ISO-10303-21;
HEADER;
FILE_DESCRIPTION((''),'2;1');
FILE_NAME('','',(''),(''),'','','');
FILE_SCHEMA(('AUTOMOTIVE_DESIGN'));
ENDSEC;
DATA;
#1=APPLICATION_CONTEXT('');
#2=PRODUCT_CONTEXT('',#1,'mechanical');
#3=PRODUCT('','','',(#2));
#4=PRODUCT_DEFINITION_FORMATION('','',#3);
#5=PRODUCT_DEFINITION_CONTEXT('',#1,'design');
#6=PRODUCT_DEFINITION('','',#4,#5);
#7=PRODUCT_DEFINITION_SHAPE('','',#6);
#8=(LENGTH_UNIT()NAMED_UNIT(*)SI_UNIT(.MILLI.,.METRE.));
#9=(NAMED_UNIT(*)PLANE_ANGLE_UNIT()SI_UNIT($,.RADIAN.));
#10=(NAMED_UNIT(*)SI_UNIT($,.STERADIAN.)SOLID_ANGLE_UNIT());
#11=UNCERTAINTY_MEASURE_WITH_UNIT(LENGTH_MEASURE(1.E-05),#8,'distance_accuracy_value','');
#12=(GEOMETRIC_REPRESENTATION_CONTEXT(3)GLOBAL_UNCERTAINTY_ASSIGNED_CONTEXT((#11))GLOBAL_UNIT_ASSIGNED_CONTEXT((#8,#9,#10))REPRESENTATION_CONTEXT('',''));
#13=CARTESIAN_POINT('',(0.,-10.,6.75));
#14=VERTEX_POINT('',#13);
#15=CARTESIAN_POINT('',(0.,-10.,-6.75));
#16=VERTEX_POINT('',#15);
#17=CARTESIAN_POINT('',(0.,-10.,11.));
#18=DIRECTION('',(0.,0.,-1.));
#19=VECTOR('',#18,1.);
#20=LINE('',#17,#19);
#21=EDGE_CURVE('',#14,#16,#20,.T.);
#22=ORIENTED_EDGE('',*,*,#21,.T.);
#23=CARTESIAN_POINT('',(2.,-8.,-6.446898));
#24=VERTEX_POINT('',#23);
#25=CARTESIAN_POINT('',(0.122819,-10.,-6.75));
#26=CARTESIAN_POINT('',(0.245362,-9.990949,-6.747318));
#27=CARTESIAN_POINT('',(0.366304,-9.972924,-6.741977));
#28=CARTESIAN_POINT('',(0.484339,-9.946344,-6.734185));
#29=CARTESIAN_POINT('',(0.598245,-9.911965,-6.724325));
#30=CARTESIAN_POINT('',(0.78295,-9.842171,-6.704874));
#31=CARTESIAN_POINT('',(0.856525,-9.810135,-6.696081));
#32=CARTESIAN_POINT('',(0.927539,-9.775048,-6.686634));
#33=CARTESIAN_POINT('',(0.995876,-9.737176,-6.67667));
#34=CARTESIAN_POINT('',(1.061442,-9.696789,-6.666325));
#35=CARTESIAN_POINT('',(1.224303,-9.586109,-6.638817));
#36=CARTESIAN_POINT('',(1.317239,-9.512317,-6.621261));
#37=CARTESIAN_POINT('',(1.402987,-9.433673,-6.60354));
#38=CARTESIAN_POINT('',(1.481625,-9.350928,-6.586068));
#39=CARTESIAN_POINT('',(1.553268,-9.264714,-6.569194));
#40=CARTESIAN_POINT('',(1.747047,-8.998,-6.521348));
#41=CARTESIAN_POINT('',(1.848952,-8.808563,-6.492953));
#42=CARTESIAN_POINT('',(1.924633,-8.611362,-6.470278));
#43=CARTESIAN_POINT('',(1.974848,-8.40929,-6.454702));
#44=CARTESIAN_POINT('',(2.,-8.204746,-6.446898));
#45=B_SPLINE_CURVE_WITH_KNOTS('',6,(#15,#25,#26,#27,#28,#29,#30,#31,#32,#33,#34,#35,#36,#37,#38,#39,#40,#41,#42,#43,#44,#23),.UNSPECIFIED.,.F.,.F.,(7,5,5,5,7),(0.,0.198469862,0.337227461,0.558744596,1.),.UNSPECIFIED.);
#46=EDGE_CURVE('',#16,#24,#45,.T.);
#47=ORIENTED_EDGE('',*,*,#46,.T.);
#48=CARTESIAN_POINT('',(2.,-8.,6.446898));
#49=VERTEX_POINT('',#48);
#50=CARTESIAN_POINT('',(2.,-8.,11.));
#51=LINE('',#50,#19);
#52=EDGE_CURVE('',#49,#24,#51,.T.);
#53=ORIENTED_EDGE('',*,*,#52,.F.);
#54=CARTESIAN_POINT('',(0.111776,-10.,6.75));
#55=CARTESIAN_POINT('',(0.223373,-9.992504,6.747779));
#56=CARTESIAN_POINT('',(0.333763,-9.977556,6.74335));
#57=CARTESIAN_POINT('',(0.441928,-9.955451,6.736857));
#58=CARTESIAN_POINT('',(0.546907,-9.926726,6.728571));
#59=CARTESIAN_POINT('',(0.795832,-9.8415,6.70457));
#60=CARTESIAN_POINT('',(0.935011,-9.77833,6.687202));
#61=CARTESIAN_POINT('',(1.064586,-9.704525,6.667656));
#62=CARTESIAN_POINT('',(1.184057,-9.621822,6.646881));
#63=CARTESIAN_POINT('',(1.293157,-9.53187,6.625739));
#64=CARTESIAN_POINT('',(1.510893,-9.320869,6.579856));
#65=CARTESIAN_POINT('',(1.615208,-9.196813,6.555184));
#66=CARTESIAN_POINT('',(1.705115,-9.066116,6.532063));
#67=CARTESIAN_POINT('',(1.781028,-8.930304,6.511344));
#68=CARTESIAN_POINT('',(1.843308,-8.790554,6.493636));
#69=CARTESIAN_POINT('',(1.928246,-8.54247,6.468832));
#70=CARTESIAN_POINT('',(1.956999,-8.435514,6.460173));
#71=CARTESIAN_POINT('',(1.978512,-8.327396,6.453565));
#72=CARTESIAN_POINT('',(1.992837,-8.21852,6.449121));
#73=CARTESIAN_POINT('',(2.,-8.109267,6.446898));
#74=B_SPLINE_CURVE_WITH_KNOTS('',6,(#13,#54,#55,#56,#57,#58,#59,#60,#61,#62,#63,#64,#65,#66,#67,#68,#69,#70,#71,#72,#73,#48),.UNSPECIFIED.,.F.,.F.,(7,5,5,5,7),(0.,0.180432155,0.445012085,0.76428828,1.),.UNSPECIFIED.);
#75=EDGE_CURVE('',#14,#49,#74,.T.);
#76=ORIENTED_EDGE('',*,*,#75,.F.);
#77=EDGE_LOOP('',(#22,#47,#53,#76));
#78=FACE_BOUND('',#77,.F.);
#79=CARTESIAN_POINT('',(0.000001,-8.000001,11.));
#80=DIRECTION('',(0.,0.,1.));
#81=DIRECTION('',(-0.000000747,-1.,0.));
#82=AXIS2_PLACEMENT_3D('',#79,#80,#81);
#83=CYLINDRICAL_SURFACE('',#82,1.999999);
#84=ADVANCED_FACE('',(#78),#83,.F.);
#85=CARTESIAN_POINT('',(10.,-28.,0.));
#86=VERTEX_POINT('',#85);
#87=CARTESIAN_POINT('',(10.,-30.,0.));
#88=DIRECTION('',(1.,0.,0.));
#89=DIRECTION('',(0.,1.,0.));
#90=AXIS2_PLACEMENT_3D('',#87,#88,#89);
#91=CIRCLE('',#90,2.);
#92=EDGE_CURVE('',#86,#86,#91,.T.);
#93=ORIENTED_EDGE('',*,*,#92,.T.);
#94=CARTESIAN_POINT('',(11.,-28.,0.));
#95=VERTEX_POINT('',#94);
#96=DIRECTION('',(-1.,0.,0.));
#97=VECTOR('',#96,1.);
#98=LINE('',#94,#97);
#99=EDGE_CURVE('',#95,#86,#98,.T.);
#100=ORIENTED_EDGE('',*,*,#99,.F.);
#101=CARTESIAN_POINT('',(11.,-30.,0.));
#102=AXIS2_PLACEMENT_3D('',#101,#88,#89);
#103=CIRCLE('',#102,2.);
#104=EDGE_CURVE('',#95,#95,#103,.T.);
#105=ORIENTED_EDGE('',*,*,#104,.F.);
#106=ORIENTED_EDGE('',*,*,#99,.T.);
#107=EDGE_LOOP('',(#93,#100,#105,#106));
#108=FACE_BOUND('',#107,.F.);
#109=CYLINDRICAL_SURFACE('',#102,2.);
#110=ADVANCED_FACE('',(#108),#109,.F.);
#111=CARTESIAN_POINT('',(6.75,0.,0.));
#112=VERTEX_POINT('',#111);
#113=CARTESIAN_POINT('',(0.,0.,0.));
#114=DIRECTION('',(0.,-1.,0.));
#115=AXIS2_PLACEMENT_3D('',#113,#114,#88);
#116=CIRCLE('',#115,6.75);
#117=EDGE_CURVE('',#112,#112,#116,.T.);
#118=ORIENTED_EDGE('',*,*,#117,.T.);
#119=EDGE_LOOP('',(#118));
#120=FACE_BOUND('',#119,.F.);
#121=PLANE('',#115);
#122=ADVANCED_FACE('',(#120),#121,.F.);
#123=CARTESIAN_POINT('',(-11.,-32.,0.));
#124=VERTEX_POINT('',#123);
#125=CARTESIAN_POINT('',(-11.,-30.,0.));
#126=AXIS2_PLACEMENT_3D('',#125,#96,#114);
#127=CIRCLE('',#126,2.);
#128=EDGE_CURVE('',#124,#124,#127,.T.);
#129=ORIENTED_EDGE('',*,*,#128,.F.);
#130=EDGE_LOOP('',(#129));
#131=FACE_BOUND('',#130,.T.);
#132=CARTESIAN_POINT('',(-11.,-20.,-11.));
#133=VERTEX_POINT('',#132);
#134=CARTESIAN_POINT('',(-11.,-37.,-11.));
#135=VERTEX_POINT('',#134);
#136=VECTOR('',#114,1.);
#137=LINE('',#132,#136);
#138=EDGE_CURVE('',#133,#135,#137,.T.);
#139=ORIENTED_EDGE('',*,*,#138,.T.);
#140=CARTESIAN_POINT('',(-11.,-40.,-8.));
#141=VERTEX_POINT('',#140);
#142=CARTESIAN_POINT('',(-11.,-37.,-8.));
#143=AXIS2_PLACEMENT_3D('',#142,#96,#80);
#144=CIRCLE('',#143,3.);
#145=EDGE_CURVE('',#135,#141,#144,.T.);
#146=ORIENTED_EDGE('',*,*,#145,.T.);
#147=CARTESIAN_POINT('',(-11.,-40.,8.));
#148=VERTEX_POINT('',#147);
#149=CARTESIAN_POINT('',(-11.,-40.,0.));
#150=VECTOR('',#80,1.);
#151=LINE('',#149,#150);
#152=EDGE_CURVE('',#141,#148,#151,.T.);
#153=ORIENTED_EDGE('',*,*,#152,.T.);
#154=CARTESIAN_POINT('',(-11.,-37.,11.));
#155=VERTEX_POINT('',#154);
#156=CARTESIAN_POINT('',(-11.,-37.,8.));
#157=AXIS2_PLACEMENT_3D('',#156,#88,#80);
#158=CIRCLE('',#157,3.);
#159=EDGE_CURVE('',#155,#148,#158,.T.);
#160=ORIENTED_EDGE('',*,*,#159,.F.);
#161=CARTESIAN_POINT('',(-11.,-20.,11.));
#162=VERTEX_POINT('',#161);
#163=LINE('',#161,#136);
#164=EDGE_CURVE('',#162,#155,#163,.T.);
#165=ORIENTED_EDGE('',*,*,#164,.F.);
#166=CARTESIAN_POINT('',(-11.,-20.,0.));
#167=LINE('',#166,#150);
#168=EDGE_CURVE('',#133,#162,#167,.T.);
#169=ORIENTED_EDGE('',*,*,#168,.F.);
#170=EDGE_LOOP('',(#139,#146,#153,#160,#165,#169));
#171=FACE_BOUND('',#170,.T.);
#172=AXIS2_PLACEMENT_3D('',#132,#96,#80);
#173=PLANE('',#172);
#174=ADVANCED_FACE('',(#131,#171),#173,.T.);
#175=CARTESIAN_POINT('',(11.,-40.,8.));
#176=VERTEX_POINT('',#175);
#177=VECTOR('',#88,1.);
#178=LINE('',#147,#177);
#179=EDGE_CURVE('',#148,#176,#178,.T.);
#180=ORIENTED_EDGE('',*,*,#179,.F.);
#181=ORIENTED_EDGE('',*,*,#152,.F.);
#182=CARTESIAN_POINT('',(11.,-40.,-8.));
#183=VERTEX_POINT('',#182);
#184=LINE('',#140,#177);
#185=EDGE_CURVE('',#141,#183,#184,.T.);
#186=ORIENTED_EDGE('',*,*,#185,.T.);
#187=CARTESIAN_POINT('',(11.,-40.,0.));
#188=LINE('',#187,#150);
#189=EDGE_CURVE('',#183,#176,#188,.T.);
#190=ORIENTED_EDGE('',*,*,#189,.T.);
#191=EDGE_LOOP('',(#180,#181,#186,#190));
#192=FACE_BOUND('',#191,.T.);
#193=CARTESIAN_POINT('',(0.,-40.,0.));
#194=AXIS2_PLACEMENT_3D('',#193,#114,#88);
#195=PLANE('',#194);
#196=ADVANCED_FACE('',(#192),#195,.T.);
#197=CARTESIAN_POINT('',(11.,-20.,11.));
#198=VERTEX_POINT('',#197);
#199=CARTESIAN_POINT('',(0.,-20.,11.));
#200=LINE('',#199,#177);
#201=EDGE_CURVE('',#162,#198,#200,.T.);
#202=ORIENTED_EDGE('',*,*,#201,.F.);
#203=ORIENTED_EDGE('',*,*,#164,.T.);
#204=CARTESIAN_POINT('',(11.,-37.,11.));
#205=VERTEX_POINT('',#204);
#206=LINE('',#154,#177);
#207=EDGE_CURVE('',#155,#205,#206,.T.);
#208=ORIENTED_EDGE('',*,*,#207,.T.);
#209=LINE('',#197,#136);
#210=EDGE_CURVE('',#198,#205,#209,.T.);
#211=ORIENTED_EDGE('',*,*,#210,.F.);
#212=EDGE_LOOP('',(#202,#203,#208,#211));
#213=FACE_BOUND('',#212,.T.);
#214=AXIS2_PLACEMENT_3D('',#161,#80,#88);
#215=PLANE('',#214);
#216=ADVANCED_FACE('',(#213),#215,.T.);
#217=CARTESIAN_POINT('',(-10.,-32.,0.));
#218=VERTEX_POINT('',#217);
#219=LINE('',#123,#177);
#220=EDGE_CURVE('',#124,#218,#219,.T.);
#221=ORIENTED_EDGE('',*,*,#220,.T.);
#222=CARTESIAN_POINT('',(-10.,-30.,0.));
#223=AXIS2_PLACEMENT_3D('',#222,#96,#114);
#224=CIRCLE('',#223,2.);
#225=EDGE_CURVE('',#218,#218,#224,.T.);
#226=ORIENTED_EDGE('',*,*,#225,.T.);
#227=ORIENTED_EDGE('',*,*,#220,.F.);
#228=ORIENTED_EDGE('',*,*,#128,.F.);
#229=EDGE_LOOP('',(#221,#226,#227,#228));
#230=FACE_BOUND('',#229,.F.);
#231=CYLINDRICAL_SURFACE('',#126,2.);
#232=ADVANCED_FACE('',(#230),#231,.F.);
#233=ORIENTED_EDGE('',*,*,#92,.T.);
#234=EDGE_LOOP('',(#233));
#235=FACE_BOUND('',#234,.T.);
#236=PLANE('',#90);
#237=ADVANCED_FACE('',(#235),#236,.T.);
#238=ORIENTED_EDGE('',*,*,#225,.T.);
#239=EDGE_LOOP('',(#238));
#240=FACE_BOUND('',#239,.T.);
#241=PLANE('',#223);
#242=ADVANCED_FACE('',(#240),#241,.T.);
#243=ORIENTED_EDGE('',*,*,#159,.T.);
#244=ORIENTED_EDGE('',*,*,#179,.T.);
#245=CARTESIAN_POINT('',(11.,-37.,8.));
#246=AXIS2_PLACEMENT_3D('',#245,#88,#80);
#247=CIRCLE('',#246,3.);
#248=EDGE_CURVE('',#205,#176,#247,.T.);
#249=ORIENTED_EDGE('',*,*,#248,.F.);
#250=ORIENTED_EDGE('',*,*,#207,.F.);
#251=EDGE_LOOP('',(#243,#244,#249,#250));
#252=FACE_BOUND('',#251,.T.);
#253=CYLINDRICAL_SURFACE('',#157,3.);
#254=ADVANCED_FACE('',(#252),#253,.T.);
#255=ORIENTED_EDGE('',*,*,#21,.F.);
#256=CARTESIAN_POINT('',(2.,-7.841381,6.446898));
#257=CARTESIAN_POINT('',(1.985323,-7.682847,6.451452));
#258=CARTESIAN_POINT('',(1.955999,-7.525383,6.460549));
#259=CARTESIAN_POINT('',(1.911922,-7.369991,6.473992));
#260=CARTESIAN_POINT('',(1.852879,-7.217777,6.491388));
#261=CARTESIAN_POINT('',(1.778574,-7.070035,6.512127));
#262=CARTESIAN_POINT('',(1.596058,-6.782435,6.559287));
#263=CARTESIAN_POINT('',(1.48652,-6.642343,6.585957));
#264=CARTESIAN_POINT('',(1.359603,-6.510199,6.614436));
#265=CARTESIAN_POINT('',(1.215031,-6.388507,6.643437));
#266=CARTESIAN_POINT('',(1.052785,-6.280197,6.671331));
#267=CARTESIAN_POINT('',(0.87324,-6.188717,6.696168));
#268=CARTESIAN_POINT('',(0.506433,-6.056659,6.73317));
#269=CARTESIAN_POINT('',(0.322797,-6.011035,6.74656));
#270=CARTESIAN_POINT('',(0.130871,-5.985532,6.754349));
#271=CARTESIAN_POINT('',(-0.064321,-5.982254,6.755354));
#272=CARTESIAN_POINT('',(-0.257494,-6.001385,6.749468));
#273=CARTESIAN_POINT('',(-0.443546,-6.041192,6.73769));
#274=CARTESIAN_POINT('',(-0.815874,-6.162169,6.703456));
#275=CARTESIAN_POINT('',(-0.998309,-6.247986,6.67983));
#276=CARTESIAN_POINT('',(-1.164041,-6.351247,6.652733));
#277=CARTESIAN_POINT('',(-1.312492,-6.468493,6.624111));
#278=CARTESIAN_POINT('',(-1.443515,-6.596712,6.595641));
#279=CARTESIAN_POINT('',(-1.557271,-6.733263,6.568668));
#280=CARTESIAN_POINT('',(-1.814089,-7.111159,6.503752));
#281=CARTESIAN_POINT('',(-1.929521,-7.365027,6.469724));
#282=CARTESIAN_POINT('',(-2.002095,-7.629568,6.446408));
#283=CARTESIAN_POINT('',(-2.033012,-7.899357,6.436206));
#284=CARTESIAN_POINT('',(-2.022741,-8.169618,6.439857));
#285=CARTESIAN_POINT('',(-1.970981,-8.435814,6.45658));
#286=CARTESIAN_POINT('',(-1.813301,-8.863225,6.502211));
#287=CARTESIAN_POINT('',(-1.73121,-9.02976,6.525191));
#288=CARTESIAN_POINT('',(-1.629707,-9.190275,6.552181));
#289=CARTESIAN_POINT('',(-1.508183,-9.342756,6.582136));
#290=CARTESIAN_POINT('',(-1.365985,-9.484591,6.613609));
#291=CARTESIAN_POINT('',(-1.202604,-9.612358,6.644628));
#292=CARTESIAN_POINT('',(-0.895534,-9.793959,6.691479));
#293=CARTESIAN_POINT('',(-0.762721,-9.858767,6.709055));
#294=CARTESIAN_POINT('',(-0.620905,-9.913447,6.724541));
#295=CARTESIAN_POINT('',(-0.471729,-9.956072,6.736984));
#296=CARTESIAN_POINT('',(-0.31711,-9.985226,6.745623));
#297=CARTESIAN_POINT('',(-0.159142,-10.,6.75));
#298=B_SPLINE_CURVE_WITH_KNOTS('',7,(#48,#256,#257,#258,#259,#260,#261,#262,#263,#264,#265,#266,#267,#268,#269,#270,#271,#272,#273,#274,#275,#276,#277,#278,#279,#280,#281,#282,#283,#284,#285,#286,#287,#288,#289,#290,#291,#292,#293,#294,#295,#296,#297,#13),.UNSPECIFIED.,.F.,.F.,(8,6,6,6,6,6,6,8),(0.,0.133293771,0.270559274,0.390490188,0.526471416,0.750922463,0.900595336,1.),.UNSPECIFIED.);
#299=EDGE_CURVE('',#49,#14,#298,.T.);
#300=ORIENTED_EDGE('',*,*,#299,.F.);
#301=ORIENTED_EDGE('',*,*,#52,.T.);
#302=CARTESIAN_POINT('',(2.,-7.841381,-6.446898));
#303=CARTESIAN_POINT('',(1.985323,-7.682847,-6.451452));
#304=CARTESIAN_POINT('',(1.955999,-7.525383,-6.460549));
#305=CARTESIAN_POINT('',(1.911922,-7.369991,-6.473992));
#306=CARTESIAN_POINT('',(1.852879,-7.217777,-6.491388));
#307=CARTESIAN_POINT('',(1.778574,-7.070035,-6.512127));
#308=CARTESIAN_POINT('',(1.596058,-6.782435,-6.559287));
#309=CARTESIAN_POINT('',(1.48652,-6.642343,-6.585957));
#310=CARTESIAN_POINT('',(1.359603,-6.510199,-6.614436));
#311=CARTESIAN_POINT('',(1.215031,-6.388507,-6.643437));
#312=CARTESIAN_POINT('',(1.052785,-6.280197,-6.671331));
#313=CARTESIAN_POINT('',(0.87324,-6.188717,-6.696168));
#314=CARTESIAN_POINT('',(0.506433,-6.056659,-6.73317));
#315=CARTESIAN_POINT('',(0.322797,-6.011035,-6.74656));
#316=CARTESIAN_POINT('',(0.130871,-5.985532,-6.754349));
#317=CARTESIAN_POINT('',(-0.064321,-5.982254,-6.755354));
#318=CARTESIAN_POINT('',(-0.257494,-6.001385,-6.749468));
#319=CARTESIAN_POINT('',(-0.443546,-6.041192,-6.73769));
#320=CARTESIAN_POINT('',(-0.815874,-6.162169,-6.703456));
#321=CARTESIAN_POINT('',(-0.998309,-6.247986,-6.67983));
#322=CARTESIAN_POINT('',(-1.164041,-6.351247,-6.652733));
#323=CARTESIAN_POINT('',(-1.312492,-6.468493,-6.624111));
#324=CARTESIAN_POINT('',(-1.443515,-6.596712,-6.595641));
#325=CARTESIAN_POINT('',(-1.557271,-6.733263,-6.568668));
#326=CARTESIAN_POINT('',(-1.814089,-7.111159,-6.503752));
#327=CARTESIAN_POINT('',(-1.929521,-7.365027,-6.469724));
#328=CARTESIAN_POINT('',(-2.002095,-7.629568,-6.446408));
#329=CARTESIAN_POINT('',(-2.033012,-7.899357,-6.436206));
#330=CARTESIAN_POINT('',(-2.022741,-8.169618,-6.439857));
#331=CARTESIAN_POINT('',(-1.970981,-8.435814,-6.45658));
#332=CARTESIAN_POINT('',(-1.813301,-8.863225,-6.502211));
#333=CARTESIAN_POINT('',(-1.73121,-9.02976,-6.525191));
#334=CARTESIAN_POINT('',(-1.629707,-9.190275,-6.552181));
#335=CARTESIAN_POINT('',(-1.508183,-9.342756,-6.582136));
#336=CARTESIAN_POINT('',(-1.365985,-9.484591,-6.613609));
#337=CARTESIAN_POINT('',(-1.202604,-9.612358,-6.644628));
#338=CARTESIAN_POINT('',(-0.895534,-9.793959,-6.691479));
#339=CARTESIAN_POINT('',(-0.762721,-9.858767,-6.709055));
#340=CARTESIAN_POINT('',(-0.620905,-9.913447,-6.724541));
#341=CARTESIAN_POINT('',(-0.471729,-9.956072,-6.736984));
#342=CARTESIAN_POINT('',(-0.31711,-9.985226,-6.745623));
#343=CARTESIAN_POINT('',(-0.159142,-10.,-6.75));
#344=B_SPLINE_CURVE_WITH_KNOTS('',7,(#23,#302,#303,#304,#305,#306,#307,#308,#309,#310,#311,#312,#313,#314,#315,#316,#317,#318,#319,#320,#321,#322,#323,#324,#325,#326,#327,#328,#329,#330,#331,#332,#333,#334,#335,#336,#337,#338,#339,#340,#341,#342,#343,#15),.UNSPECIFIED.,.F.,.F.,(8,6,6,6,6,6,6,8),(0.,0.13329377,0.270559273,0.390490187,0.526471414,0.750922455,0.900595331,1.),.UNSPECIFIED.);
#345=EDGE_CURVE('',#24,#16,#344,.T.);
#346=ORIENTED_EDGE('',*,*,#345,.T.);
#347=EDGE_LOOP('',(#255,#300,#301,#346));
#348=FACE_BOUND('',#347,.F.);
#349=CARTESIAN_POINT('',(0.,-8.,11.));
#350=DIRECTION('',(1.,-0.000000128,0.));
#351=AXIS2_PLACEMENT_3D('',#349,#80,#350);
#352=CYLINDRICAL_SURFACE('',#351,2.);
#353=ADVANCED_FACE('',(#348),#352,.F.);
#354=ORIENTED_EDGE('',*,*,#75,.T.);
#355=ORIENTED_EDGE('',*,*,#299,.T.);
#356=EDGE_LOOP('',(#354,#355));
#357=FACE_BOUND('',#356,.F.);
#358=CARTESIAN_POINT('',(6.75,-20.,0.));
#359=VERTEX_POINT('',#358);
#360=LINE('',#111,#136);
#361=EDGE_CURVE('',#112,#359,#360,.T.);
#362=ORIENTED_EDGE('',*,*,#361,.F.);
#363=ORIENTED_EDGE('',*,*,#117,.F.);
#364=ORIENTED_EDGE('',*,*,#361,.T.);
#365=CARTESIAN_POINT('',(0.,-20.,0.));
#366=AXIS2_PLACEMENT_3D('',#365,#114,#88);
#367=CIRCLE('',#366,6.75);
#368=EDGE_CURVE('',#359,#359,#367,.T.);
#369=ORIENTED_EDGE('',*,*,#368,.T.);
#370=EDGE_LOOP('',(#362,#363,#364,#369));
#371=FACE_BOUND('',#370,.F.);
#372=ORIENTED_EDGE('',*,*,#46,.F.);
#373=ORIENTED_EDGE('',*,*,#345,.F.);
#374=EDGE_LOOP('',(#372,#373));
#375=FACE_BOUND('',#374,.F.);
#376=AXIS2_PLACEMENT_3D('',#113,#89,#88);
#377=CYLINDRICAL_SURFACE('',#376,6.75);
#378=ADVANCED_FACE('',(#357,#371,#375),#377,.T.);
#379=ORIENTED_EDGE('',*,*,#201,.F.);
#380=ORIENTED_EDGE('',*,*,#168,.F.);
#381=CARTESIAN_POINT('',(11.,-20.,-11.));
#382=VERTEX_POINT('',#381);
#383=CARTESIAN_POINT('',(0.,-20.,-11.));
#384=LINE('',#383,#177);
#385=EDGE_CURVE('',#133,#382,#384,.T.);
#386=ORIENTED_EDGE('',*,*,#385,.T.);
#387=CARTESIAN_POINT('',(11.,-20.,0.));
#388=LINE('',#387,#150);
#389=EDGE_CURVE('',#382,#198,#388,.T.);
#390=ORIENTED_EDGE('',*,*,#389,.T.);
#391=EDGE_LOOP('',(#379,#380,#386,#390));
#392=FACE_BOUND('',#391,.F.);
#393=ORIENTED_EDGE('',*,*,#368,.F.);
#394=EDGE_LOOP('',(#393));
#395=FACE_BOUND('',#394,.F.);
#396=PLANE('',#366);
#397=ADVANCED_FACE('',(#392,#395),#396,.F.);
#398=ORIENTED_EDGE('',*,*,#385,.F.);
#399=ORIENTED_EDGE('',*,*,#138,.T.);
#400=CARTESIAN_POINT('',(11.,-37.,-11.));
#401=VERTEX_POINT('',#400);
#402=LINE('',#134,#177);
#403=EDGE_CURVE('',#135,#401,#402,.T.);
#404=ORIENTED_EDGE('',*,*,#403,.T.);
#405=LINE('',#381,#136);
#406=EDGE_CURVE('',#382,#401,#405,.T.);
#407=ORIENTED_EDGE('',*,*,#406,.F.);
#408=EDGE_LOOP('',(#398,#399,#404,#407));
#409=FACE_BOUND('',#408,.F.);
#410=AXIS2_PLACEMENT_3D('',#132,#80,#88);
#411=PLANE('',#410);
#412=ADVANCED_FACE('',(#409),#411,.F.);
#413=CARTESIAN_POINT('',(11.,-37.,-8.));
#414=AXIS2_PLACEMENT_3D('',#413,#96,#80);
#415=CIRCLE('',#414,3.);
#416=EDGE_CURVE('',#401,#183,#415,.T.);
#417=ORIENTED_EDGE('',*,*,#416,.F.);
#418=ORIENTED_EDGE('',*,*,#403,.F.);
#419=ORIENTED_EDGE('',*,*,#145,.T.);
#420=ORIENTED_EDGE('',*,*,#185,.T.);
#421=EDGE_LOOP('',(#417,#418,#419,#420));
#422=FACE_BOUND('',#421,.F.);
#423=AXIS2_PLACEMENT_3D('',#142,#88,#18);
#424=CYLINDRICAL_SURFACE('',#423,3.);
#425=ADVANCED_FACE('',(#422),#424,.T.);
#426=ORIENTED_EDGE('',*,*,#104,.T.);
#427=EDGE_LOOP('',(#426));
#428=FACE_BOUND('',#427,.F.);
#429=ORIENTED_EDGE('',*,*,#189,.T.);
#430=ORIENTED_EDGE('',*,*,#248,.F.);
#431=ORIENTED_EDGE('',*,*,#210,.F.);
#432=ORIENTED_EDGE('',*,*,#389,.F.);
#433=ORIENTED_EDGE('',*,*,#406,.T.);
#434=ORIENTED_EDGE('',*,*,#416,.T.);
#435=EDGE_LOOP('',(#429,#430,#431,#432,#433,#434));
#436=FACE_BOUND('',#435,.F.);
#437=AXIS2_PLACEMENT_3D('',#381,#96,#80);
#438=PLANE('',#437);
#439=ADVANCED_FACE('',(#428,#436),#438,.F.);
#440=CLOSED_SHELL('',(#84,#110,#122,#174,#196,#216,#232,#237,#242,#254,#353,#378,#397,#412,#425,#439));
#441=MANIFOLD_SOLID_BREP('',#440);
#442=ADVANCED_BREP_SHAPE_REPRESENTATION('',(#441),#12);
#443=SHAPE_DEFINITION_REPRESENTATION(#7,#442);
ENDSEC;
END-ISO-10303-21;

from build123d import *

# Parameters (mm, degrees)
F0_R      = 6.75
F1_DEPTH  = 20
F2_W      = 22
F2_H      = 22
F3_DEPTH  = 20
F4_R      = 3
F6_DEPTH  = 1
F7_R      = 2
F8_DEPTH  = 1
F10_DEPTH = 25


with BuildPart() as f1:
    # F0 (on Front) → F1 (new body)
    with BuildSketch(Plane.XZ):
        Circle(F0_R)
    extrude(amount=F1_DEPTH)

    # F2 (on face) → F3 (join)
    with BuildSketch(Plane.XZ.offset(20)):
        Rectangle(F2_W, F2_H)
    extrude(amount=F3_DEPTH)

    # F4
    f4_edges = [f1.edges().sort_by_distance(p)[0] for p in [
        (0, -40, 11),
        (0, -40, -11),
    ]]
    fillet(f4_edges, radius=F4_R)

    # F5 (on face) → F6 (cut)
    with BuildSketch(Plane.YZ.offset(11)):
        with BuildLine():
            ThreePointArc((-32, 0), (-30, -2), (-28, 0))
            ThreePointArc((-28, 0), (-30, 2), (-32, 0))
        make_face()
    extrude(amount=-F6_DEPTH, mode=Mode.SUBTRACT)

    # F7 (on face) → F8 (cut)
    with BuildSketch(Plane(origin=(-11, 0, 0), x_dir=(0, -1, 0), z_dir=(-1, 0, 0))):
        with Locations((30, 0)):
            Circle(F7_R)
    extrude(amount=-F8_DEPTH, mode=Mode.SUBTRACT)

    # F9 (on face) → F10 (cut)
    with BuildSketch(Plane.XY.offset(11)):
        with BuildLine():
            ThreePointArc((2, -8), (-1.414214, -6.585786), (0, -10))
            ThreePointArc((0, -10), (1.414214, -9.414214), (2, -8))
        make_face()
    extrude(amount=-F10_DEPTH, mode=Mode.SUBTRACT)


solid = f1.part
